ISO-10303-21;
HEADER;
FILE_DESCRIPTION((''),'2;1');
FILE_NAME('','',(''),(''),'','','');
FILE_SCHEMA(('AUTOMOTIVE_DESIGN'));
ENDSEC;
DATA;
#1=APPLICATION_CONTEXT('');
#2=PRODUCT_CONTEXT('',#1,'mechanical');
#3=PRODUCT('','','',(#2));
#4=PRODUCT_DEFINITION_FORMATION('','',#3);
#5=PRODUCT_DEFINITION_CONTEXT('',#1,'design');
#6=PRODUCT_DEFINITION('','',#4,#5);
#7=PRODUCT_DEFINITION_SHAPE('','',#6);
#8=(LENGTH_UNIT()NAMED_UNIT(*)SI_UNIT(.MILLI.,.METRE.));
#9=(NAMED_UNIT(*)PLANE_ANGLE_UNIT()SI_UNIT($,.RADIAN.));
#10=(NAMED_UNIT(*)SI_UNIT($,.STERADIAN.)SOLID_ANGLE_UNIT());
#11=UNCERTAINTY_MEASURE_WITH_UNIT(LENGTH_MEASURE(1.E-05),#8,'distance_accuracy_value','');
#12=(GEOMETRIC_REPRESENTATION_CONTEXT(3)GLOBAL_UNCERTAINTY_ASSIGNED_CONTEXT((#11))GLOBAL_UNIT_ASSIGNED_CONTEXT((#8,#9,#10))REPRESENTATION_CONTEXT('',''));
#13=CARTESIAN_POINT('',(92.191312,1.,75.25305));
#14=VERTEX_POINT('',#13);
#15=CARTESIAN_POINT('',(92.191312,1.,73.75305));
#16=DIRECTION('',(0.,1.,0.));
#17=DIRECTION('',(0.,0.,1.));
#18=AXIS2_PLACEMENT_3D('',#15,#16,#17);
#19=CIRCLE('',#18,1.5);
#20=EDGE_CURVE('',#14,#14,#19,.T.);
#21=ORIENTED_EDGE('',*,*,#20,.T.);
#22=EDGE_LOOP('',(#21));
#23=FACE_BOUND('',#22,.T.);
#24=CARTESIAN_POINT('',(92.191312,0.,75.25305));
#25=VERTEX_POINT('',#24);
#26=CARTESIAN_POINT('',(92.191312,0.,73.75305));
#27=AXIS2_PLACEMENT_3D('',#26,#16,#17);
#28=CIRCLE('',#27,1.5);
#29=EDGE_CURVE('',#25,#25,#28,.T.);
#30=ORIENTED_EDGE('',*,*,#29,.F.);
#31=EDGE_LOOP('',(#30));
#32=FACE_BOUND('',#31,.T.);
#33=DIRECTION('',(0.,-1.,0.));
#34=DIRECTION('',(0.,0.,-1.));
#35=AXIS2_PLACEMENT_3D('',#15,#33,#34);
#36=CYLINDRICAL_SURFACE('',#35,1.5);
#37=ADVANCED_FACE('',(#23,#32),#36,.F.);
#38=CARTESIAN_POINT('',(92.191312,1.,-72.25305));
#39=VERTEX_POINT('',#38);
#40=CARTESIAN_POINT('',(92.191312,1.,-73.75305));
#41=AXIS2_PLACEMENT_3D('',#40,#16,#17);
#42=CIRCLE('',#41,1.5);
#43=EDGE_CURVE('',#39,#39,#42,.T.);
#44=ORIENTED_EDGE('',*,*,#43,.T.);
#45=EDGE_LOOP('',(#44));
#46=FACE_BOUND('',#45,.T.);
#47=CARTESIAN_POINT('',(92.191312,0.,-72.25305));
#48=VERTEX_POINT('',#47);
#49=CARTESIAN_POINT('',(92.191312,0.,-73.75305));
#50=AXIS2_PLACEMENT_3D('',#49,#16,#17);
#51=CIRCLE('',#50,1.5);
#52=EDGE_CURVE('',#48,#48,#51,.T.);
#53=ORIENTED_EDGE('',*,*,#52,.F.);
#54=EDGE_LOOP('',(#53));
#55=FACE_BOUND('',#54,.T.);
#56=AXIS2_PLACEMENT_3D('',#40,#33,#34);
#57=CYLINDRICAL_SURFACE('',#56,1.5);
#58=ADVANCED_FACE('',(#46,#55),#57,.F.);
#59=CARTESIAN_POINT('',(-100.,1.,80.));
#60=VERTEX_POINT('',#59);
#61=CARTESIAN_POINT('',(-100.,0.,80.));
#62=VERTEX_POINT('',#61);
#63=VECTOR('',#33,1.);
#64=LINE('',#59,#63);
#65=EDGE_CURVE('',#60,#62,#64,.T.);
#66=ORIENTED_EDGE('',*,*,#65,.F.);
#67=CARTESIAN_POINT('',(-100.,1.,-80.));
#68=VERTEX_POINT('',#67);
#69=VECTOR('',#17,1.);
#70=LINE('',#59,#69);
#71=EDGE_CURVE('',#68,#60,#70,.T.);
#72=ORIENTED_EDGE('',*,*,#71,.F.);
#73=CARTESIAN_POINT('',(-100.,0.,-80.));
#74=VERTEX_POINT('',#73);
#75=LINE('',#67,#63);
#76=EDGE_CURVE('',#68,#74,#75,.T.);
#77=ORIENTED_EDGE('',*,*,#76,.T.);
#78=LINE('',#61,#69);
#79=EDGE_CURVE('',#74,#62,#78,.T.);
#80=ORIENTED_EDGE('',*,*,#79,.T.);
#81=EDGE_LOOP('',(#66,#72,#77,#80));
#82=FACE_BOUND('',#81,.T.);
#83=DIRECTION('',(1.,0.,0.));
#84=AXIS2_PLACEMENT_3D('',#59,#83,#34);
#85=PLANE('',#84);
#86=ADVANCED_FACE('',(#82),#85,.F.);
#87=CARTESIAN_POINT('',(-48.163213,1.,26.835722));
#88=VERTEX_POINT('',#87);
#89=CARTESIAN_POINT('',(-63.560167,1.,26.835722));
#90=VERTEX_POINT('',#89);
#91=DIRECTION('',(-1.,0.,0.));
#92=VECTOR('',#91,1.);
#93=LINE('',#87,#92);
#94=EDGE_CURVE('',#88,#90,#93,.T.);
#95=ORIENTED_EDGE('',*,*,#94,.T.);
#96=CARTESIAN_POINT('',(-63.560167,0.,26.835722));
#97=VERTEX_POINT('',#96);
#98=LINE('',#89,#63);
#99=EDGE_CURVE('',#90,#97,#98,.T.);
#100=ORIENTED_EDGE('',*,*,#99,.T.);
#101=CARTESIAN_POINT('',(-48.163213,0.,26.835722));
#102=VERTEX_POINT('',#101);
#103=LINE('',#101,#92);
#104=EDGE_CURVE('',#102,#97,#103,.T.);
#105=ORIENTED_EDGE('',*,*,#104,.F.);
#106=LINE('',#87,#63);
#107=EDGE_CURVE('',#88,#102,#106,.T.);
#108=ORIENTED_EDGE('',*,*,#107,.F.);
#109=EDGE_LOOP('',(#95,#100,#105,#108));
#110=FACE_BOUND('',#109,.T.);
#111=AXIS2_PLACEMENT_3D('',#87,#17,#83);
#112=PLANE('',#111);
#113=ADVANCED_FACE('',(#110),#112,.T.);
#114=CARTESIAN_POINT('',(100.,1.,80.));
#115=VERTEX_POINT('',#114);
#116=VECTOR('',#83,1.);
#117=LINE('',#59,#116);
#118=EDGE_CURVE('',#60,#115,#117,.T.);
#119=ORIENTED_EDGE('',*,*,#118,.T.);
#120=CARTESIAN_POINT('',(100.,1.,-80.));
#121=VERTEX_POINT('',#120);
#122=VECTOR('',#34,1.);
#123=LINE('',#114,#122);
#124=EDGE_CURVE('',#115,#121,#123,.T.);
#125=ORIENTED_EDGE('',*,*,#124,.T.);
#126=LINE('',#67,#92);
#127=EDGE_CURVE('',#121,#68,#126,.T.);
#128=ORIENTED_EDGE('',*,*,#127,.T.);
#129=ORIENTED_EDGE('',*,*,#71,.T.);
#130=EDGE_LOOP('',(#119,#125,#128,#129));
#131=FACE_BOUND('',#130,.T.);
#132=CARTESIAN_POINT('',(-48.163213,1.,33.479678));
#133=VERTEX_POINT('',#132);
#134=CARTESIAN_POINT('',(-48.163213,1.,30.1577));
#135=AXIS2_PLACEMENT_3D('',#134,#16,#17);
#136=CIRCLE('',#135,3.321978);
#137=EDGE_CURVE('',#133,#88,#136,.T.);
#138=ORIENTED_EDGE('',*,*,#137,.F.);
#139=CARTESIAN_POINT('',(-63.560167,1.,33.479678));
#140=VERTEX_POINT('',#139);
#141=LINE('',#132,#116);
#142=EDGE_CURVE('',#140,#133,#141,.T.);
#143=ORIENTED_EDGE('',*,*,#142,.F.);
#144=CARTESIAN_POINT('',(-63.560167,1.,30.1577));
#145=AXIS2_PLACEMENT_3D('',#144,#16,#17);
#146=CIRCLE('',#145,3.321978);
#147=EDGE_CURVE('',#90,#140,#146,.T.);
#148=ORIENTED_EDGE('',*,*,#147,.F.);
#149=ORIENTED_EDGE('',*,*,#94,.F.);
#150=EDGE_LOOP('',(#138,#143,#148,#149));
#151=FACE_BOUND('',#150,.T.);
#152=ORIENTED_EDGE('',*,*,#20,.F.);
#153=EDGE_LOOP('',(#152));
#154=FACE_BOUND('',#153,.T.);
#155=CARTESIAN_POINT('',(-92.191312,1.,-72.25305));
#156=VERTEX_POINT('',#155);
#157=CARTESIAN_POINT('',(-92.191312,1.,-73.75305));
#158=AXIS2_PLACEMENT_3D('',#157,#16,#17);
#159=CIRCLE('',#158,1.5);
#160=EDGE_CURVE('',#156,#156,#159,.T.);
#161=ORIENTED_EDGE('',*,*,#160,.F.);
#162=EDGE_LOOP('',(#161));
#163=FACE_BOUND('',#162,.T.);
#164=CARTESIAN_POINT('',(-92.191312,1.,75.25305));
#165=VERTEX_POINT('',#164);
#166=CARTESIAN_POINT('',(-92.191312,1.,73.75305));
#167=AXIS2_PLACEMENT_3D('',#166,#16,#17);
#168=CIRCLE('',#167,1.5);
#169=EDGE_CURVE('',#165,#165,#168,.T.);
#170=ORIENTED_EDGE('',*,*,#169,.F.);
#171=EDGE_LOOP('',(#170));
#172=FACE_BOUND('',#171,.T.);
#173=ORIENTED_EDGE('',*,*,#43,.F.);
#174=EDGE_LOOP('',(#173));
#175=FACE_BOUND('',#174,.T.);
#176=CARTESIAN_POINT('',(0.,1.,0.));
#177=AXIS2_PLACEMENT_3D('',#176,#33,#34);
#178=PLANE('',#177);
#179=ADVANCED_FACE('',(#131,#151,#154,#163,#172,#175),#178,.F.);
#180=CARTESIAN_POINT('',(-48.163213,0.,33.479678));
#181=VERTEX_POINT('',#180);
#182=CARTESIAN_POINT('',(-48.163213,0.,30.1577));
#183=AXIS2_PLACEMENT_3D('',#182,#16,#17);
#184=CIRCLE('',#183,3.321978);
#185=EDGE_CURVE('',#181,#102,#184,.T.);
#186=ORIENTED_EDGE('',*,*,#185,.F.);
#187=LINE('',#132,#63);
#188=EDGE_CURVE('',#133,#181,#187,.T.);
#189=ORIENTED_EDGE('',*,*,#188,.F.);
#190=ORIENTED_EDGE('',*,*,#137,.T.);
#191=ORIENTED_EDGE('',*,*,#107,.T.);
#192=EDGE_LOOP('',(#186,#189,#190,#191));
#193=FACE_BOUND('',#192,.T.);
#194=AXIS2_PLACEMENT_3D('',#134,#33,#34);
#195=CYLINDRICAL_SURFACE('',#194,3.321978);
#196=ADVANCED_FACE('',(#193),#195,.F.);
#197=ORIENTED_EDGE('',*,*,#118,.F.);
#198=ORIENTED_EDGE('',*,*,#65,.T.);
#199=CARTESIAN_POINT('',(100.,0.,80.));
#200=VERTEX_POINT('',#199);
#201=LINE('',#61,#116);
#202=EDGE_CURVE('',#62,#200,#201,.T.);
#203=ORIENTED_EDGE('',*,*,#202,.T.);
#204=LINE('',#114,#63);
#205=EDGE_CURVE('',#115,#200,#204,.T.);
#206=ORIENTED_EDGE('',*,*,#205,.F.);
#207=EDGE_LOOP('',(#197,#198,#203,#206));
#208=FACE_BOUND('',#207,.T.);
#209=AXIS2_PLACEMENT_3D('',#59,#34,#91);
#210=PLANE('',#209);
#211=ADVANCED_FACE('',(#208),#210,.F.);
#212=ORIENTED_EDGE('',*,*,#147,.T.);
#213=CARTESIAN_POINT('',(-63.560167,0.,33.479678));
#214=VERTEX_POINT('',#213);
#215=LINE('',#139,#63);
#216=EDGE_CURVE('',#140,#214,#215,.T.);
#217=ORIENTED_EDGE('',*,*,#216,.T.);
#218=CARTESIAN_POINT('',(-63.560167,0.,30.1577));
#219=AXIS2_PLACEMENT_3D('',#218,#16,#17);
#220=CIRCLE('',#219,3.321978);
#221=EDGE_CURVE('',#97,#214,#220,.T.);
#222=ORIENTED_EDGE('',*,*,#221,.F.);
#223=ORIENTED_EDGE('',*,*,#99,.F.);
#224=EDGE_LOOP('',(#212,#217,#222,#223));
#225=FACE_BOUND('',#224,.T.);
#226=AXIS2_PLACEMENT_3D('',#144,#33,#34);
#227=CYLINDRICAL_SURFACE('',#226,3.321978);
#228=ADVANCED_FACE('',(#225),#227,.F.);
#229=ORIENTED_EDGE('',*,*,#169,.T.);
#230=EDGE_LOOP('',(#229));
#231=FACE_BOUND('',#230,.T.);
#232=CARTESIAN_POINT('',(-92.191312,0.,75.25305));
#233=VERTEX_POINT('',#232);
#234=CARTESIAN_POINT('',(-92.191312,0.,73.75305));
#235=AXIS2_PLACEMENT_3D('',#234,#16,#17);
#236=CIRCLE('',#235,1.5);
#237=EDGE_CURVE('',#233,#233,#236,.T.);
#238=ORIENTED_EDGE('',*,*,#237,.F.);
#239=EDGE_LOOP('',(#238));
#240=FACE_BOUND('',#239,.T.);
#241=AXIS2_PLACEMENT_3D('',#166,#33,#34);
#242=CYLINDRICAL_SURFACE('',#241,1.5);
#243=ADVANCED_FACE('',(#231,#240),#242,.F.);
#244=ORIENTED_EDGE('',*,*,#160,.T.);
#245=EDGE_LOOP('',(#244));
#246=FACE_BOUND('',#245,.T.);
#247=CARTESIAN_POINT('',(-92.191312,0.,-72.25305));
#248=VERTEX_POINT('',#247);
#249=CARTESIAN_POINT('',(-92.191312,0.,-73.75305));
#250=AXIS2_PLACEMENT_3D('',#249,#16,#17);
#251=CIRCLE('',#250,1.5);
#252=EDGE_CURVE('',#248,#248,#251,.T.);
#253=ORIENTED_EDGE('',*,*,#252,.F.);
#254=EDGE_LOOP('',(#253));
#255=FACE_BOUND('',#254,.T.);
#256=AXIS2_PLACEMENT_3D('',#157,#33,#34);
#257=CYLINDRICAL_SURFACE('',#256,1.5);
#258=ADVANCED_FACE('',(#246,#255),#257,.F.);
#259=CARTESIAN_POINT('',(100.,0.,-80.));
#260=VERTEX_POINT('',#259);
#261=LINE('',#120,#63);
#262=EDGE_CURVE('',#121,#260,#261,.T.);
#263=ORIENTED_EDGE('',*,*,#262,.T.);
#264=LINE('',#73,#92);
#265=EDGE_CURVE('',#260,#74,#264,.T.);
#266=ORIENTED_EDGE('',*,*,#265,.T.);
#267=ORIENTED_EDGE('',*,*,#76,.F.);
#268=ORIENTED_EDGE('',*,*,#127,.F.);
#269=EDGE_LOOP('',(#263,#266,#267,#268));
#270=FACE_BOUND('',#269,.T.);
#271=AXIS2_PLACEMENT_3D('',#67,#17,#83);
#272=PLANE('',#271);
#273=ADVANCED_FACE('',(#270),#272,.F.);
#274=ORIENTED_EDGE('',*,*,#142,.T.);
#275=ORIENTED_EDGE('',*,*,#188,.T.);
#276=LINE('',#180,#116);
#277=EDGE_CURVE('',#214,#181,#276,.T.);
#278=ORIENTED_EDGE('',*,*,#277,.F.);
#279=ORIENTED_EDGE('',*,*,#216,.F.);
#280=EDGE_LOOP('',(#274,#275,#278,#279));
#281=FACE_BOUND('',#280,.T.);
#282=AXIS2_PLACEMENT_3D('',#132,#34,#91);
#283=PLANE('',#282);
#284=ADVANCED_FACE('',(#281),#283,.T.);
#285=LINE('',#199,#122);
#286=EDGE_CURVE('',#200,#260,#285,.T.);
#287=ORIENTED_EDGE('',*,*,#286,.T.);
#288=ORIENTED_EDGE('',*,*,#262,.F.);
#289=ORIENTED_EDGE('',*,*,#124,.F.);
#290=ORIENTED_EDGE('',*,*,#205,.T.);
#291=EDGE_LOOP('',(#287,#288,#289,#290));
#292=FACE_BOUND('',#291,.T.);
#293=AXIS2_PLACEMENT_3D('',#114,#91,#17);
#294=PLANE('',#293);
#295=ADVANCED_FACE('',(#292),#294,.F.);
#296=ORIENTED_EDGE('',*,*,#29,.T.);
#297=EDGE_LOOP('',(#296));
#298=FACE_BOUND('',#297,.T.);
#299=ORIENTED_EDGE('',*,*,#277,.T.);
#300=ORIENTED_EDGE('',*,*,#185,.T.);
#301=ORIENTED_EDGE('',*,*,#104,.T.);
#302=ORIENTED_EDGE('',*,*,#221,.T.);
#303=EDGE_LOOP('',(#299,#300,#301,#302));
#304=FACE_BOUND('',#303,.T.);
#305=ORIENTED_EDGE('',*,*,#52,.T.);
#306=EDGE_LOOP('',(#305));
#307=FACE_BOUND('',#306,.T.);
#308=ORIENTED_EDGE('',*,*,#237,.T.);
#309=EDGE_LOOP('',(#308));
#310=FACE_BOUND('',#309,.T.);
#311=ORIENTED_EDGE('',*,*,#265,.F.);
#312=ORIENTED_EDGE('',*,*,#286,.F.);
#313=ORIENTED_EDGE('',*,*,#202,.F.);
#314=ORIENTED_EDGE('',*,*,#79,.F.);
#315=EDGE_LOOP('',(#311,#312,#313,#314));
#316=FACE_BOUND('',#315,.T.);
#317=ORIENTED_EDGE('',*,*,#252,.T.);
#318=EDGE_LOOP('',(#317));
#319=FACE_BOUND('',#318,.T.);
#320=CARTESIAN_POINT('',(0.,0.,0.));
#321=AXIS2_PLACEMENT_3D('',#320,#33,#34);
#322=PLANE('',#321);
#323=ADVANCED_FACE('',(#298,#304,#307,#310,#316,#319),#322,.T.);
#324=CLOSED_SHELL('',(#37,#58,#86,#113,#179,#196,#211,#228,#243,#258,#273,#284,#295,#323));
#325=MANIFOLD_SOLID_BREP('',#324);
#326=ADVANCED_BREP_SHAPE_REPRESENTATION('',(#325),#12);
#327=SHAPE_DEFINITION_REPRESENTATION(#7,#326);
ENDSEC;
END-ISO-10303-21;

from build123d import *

# Parameters (mm, degrees)
SKETCH1_W           = 200
SKETCH1_H           = 160
SKETCH1_R           = 1.5
BOSS_EXTRUDE1_DEPTH = 1


with BuildPart() as part:
    # Sketch1 → Boss-Extrude1 (new body)
    with BuildSketch(Plane(origin=(0, 0, 0), x_dir=(1, 0, 0), z_dir=(0, 1, 0))):
        Rectangle(SKETCH1_W, SKETCH1_H)
        with Locations(Location((-92.191311906, 73.753049524, 0), (0, 0, 270))):
            Circle(SKETCH1_R, mode=Mode.SUBTRACT)
        with Locations(Location((92.191311906, 73.753049524, 0), (0, 0, 270))):
            Circle(SKETCH1_R, mode=Mode.SUBTRACT)
        with Locations(Location((92.191311906, -73.753049524, 0), (0, 0, 270))):
            Circle(SKETCH1_R, mode=Mode.SUBTRACT)
        with Locations(Location((-92.191311906, -73.753049524, 0), (0, 0, 270))):
            Circle(SKETCH1_R, mode=Mode.SUBTRACT)
        with BuildLine():
            Line((-48.163212674, -33.479677825), (-63.560167059, -33.479677825))
            ThreePointArc((-63.560167059, -33.479677825), (-66.882145086, -30.157699798), (-63.560167059, -26.835721771))
            Line((-63.560167059, -26.835721771), (-48.163212674, -26.835721771))
            ThreePointArc((-48.163212674, -26.835721771), (-44.841234647, -30.157699798), (-48.163212674, -33.479677825))
        make_face(mode=Mode.SUBTRACT)
    extrude(amount=BOSS_EXTRUDE1_DEPTH)


solid = part.part
